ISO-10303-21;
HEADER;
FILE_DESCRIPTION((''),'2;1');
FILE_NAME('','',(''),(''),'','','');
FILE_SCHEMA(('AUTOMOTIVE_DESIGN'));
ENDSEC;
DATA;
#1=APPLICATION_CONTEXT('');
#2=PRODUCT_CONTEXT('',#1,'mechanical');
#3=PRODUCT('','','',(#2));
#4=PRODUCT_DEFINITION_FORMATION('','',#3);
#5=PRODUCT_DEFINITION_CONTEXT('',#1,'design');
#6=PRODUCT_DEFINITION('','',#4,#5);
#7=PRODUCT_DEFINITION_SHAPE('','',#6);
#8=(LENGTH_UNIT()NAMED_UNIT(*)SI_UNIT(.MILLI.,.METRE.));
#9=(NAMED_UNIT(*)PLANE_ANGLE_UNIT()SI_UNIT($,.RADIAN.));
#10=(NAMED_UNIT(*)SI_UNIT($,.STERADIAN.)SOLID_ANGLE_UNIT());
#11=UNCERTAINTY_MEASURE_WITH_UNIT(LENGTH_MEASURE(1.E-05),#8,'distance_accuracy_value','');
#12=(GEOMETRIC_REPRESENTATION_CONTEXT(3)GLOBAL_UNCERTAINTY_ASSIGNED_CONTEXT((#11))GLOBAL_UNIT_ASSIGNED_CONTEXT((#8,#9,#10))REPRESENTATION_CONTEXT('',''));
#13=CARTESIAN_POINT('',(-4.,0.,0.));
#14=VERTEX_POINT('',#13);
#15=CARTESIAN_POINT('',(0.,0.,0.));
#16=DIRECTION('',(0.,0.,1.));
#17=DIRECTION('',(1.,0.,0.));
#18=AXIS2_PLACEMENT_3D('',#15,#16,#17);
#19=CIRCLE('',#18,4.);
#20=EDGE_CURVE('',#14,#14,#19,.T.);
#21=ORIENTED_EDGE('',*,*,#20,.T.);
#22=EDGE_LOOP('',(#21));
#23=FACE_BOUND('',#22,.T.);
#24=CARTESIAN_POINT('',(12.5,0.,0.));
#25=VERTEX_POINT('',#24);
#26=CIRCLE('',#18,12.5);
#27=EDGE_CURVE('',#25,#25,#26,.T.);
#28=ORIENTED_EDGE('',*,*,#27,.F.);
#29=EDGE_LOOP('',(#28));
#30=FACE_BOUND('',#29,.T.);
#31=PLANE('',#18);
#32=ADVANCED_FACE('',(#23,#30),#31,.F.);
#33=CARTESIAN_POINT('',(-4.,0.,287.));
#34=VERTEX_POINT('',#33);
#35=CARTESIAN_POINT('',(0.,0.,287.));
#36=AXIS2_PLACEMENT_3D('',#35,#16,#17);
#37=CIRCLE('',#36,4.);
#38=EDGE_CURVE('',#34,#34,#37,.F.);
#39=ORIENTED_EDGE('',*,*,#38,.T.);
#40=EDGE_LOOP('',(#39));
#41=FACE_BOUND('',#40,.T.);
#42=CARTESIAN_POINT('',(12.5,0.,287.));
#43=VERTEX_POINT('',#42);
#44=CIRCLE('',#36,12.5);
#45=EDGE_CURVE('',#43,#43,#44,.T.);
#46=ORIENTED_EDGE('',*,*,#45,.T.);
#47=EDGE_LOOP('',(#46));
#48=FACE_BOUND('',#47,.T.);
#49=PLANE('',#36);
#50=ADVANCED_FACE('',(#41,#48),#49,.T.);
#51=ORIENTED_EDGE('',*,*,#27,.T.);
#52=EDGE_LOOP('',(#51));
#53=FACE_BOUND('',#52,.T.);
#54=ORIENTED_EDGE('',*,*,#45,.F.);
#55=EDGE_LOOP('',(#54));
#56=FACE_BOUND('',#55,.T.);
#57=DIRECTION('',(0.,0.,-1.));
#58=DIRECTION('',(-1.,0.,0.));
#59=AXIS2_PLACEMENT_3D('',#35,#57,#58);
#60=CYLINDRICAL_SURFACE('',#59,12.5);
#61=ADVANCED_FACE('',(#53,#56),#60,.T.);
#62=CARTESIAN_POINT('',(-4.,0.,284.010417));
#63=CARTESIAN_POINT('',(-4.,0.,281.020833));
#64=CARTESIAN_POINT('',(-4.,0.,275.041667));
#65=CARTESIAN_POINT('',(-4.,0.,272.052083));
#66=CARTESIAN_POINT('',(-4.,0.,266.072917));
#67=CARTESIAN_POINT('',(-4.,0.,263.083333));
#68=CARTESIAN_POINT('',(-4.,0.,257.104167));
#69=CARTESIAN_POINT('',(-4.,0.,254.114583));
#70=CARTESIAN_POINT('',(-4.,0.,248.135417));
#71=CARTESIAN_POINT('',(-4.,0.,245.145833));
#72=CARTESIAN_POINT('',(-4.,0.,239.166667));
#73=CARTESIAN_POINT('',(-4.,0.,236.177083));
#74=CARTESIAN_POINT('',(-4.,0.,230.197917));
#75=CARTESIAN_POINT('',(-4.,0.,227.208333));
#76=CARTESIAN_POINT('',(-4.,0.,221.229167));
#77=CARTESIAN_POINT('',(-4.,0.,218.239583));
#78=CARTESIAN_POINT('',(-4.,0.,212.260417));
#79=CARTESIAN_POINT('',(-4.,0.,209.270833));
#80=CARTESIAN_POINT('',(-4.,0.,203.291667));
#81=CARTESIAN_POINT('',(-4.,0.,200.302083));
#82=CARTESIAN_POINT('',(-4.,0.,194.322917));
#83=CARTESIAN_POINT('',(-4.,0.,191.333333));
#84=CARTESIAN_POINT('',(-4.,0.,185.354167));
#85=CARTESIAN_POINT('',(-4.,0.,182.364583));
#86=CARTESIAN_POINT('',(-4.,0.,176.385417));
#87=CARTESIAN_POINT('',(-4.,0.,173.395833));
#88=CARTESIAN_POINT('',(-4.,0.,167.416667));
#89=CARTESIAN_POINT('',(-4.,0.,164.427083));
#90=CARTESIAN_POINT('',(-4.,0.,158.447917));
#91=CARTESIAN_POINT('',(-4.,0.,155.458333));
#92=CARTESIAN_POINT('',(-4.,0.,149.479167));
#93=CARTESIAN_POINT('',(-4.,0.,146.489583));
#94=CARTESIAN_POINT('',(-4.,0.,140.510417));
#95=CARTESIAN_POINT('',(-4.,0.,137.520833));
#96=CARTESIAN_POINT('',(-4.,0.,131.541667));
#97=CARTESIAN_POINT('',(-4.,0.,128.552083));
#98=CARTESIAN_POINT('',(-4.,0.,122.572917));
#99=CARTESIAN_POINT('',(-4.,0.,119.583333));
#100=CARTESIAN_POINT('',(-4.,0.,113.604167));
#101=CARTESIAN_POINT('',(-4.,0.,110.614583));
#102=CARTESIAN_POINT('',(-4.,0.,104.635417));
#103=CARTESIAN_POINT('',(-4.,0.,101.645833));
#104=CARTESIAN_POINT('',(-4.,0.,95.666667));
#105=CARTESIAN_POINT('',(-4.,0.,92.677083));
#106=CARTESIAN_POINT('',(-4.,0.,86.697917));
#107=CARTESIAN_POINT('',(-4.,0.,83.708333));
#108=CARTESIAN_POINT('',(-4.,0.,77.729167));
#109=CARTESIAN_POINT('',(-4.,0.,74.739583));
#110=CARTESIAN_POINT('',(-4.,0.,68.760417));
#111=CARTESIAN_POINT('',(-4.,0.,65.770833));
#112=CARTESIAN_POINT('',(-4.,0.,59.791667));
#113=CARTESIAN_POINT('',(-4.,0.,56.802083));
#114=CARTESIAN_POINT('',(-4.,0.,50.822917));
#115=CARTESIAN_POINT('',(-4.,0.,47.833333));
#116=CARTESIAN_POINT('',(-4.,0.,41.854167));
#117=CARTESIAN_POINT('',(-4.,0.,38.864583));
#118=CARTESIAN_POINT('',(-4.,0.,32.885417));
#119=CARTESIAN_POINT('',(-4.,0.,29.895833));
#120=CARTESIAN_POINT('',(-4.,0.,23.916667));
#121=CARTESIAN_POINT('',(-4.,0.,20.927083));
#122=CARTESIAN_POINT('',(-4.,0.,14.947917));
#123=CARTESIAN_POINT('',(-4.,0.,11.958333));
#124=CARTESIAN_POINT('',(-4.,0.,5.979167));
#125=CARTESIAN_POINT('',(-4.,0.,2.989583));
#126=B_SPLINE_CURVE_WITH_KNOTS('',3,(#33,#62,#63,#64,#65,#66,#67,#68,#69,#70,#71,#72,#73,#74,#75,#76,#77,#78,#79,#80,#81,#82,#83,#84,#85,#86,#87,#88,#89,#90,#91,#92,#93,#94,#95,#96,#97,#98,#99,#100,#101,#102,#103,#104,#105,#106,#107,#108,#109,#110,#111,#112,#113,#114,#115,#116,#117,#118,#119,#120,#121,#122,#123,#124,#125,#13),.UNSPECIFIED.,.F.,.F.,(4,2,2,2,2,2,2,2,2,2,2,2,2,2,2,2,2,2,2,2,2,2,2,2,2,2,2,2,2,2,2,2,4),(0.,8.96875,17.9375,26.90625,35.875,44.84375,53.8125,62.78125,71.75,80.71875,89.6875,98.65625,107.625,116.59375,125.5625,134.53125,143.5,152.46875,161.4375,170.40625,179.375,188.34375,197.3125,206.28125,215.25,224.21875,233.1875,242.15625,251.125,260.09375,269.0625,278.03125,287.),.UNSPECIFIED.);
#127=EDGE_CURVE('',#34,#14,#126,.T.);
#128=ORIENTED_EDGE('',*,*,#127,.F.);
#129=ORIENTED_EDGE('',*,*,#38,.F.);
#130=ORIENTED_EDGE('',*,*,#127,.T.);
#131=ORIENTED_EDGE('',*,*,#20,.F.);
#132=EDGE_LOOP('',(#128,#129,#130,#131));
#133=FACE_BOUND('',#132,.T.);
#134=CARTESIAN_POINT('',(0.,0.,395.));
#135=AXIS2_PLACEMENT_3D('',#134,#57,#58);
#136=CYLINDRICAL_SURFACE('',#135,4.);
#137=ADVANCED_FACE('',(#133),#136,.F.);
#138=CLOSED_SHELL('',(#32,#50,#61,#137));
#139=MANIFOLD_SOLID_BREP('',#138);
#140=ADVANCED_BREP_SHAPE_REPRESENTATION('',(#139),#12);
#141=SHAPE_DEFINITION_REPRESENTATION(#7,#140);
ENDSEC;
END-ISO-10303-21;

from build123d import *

# Parameters (mm, degrees)
SKETCH1_R           = 12.5
BOSS_EXTRUDE1_DEPTH = 287
SKETCH2_R           = 4
CUT_EXTRUDE1_DEPTH  = 395


with BuildPart() as part:
    # Sketch1 → Boss-Extrude1 (new body)
    with BuildSketch(Plane.XY):
        Circle(SKETCH1_R)
    extrude(amount=BOSS_EXTRUDE1_DEPTH)

    # Sketch2 → Cut-Extrude1 (cut)
    with BuildSketch(Plane.XY):
        with Locations(Location((0, 0, 0), (0, 0, 180))):
            Circle(SKETCH2_R)
    extrude(amount=CUT_EXTRUDE1_DEPTH, mode=Mode.SUBTRACT)


solid = part.part
